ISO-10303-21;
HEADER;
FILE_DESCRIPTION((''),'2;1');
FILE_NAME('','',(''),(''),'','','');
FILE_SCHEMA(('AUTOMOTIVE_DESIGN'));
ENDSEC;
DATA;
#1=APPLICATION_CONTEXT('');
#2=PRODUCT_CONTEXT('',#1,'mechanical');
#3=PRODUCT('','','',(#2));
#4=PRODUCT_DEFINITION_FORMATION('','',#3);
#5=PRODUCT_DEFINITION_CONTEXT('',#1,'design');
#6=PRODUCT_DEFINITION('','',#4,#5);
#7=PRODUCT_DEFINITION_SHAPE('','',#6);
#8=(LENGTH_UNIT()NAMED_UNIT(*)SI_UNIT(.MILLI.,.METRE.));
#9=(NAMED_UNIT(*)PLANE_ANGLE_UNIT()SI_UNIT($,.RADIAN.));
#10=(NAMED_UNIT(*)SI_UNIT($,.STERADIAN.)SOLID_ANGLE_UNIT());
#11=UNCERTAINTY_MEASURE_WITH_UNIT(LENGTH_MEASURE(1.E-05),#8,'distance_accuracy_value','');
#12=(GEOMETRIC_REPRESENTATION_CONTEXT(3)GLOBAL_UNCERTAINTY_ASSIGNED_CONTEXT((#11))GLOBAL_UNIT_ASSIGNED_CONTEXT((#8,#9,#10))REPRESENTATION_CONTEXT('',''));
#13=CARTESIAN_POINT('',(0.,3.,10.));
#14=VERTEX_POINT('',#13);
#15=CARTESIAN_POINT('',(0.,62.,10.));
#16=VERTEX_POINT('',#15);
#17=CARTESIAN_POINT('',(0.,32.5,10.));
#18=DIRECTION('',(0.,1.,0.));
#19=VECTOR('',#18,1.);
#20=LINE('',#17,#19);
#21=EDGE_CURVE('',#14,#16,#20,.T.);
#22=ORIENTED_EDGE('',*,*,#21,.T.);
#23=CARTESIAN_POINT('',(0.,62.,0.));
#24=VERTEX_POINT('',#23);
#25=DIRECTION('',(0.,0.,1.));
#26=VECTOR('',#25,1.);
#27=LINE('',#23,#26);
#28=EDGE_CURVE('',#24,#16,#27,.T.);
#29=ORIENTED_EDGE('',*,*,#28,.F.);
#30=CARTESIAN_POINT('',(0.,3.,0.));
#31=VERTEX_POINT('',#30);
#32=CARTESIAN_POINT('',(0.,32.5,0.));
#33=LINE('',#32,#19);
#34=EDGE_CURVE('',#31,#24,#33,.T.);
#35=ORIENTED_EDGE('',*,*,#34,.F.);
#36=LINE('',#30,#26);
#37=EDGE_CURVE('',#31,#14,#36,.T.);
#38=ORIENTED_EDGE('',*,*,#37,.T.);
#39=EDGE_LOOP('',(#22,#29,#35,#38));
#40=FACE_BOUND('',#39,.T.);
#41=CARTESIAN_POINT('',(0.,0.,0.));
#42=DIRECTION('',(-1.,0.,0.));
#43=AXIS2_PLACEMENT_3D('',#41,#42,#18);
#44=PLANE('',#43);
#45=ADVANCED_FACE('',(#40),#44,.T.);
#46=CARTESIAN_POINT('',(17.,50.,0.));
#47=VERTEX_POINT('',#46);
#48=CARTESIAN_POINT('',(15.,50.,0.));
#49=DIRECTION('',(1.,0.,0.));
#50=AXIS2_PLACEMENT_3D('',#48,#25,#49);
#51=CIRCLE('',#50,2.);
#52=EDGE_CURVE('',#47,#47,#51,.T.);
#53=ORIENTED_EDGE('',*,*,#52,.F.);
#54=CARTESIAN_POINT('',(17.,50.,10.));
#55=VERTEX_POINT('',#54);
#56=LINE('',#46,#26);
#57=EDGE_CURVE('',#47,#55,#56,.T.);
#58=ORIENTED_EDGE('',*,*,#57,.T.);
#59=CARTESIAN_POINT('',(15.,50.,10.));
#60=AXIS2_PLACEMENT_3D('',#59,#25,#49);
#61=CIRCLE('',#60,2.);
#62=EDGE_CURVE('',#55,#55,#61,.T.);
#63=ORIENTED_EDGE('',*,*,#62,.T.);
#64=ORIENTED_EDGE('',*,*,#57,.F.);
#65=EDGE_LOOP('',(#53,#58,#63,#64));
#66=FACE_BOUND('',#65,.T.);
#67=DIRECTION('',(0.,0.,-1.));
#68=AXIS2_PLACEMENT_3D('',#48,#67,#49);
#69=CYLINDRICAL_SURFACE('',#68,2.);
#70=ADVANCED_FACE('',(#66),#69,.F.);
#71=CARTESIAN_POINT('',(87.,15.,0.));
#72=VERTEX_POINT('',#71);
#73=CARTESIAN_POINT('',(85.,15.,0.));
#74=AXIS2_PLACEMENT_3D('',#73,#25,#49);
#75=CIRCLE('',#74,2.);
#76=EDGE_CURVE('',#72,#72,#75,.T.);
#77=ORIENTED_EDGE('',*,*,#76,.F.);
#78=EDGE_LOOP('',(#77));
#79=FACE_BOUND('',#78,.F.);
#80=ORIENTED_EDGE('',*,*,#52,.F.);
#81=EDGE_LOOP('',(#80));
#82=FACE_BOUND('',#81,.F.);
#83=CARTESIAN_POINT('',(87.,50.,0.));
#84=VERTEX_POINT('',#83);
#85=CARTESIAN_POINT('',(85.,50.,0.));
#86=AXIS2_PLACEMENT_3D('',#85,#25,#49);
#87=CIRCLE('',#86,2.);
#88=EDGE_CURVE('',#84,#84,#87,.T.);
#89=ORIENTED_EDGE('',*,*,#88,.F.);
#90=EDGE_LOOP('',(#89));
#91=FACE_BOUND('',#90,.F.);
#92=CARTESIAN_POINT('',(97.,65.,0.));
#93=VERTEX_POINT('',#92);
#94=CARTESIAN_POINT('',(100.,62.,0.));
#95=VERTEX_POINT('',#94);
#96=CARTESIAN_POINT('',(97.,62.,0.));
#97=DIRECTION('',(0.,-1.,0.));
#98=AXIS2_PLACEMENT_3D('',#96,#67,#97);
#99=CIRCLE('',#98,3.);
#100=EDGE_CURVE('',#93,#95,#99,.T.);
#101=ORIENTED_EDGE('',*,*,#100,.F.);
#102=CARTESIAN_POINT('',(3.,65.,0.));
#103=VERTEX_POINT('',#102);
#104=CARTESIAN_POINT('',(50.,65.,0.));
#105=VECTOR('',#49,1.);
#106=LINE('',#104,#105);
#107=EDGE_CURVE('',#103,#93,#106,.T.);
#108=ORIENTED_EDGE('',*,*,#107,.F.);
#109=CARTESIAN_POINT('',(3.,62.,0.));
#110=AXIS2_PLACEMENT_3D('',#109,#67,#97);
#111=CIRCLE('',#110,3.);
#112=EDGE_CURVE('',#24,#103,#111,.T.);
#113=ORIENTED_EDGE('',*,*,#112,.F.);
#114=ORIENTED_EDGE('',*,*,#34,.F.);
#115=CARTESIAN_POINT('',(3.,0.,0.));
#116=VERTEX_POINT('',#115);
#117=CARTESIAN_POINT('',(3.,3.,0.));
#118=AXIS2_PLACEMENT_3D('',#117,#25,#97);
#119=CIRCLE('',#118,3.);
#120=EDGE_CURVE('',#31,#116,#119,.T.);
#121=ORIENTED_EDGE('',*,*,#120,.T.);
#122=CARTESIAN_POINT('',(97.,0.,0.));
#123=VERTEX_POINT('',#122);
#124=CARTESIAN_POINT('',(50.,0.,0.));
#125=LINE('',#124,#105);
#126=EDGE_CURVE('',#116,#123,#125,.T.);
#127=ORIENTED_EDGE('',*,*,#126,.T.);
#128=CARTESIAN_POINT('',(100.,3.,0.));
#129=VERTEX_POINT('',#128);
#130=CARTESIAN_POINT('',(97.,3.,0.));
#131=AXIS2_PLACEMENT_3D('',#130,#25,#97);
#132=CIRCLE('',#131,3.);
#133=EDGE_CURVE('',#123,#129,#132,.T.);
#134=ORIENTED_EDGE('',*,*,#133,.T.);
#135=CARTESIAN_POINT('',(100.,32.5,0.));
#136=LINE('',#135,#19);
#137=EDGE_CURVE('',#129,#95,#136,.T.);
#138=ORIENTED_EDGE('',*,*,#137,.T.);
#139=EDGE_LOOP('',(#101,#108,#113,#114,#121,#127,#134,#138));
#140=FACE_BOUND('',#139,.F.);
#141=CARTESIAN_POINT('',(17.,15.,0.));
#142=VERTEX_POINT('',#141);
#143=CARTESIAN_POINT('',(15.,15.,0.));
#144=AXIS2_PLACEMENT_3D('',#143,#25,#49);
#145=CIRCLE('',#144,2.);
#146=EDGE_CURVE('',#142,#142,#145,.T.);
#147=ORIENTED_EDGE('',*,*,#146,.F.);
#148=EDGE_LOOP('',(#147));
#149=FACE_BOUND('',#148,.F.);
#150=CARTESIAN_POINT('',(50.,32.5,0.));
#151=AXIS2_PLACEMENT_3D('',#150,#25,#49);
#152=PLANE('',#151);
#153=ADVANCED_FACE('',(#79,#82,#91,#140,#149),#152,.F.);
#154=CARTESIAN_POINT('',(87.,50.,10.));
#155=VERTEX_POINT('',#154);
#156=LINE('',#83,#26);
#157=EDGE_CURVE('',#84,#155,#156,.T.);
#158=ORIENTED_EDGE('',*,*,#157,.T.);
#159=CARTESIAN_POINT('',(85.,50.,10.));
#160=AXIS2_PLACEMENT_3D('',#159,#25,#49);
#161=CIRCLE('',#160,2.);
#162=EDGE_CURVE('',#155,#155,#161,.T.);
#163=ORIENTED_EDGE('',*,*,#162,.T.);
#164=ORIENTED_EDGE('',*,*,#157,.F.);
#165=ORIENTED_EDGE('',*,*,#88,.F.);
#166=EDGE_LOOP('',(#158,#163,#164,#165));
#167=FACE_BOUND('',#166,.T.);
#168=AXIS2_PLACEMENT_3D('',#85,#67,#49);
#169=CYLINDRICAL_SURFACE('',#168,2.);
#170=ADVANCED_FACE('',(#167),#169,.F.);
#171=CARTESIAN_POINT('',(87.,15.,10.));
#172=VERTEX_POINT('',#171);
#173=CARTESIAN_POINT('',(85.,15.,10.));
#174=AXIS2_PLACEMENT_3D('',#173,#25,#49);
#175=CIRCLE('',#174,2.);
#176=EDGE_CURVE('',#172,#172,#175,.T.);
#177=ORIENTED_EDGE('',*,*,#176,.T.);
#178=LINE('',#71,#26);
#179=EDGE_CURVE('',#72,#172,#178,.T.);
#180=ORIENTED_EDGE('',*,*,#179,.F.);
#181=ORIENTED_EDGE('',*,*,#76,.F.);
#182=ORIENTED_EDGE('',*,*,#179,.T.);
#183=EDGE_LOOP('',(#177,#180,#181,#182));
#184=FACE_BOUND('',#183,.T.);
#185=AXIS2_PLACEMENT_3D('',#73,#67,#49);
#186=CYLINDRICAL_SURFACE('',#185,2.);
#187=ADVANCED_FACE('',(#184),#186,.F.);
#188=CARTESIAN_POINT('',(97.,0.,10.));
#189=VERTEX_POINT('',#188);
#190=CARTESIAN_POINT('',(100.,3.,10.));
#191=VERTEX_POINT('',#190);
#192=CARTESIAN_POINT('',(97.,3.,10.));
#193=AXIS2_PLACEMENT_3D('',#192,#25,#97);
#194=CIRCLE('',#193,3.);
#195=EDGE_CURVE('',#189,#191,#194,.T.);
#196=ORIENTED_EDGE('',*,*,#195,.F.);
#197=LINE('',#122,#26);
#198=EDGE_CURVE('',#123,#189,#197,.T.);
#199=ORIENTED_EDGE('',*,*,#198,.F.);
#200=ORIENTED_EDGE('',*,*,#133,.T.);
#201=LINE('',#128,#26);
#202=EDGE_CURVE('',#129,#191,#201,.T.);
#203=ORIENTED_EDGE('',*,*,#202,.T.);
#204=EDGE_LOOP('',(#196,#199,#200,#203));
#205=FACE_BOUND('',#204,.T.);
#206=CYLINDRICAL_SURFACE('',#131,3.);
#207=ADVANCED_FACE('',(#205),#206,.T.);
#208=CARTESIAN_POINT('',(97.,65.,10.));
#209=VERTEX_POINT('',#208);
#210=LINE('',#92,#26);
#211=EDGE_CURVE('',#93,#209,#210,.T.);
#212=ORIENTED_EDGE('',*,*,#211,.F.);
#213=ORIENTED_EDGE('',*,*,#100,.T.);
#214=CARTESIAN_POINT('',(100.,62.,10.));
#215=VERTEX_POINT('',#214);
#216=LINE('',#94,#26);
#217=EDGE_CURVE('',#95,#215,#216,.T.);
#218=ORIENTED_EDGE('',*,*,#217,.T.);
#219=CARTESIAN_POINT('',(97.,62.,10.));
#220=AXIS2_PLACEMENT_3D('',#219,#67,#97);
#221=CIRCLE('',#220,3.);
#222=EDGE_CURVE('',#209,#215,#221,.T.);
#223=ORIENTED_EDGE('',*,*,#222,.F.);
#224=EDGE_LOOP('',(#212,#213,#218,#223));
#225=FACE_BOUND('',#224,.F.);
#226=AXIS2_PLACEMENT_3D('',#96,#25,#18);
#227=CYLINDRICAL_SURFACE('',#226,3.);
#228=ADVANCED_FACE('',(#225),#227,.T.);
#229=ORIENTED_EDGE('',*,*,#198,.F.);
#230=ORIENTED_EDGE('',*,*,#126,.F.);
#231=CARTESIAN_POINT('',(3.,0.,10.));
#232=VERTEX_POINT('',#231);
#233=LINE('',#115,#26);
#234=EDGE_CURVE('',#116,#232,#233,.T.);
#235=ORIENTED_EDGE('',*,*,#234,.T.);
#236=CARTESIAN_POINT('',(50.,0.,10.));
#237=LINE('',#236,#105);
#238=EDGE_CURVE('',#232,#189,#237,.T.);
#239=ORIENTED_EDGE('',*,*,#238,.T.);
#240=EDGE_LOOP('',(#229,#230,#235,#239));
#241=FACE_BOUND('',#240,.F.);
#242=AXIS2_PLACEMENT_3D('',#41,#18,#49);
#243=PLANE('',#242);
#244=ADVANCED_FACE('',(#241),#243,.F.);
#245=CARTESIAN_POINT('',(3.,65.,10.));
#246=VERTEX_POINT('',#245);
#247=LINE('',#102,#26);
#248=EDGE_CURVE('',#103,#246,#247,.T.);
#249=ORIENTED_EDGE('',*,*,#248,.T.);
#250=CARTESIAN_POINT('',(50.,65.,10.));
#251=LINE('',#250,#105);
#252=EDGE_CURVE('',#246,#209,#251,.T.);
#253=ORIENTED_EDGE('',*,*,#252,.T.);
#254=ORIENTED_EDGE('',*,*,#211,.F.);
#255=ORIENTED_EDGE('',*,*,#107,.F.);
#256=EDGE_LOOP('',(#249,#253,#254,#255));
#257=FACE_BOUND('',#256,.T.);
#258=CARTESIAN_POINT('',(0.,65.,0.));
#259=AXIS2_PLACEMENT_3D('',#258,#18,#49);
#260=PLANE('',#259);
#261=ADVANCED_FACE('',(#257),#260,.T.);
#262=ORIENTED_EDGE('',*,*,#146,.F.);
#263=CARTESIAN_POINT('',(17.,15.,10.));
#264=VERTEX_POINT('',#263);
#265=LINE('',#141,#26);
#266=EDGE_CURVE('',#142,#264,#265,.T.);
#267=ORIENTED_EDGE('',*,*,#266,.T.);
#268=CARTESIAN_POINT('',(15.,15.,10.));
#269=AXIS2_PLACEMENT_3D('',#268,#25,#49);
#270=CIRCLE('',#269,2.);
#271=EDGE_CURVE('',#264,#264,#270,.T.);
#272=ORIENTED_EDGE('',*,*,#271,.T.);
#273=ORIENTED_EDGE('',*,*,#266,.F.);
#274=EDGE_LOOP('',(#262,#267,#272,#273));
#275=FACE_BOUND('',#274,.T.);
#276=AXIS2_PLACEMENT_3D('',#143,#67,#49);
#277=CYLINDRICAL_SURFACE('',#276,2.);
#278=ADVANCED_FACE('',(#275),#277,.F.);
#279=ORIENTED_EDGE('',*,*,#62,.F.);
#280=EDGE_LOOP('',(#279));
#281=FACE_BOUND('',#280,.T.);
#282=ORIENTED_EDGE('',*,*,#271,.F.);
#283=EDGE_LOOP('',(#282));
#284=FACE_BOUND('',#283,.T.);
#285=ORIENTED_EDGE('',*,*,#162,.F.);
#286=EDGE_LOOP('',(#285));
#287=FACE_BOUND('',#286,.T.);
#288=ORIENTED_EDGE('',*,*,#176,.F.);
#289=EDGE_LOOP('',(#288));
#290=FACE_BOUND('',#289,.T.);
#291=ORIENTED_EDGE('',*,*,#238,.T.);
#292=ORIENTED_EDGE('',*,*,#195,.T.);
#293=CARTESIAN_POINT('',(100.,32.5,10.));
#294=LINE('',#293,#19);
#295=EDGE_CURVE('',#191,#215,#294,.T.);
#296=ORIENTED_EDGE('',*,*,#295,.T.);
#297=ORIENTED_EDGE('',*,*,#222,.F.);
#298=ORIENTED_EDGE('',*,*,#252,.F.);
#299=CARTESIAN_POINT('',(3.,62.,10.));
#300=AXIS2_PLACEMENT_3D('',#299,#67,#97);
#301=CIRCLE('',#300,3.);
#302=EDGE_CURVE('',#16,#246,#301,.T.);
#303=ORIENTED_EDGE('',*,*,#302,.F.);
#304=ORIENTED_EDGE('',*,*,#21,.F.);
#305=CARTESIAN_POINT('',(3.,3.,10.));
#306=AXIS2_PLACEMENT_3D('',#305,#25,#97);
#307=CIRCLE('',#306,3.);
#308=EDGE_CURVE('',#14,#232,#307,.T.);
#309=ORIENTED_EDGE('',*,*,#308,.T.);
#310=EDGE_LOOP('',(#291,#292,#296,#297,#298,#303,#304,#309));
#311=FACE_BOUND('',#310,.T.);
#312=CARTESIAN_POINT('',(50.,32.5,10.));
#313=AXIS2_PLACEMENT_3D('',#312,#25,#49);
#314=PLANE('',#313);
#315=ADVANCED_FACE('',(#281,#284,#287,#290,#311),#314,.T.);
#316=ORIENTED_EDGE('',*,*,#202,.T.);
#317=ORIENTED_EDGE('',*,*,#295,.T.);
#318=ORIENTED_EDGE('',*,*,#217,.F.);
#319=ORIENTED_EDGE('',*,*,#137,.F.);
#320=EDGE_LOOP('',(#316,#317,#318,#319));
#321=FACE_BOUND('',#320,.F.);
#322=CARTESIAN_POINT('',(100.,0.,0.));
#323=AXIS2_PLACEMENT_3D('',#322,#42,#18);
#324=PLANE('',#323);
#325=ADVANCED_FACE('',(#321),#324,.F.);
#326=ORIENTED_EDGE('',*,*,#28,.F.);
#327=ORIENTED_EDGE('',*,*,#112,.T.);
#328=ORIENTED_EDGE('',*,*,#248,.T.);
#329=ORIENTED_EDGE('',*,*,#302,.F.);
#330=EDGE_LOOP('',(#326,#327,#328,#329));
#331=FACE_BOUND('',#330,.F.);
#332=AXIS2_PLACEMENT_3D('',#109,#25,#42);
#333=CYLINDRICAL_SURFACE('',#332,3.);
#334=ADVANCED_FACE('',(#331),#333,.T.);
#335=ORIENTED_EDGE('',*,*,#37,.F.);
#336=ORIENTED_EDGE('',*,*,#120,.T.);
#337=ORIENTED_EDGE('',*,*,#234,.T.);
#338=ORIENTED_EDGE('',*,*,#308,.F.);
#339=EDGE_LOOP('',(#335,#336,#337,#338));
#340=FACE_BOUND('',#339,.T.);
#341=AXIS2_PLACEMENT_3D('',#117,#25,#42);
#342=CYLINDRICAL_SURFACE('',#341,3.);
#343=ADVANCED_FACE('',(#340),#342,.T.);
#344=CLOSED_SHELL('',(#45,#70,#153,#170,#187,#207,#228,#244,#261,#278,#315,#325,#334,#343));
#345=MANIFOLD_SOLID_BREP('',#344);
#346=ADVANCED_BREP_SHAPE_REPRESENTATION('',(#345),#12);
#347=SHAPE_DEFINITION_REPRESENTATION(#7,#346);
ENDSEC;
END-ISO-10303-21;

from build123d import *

# Parameters (mm, degrees)
SKETCH_W  = 100
SKETCH_H  = 65
SKETCH_R  = 2
PAD_DEPTH = 10
FILLET_R  = 3


with BuildPart() as part:
    # Sketch → Pad (new body)
    with BuildSketch(Plane.XY):
        with Locations((50, 32.5)):
            Rectangle(SKETCH_W, SKETCH_H)
        with Locations((15, 50)):
            Circle(SKETCH_R, mode=Mode.SUBTRACT)
        with Locations((15, 15)):
            Circle(SKETCH_R, mode=Mode.SUBTRACT)
        with Locations((85, 50)):
            Circle(SKETCH_R, mode=Mode.SUBTRACT)
        with Locations((85, 15)):
            Circle(SKETCH_R, mode=Mode.SUBTRACT)
    extrude(amount=PAD_DEPTH)

    # Fillet
    fillet_edges = [part.edges().sort_by_distance(p)[0] for p in [
        (100, 0, 5),
        (0, 0, 5),
        (100, 65, 5),
        (0, 65, 5),
    ]]
    fillet(fillet_edges, radius=FILLET_R)


solid = part.part
